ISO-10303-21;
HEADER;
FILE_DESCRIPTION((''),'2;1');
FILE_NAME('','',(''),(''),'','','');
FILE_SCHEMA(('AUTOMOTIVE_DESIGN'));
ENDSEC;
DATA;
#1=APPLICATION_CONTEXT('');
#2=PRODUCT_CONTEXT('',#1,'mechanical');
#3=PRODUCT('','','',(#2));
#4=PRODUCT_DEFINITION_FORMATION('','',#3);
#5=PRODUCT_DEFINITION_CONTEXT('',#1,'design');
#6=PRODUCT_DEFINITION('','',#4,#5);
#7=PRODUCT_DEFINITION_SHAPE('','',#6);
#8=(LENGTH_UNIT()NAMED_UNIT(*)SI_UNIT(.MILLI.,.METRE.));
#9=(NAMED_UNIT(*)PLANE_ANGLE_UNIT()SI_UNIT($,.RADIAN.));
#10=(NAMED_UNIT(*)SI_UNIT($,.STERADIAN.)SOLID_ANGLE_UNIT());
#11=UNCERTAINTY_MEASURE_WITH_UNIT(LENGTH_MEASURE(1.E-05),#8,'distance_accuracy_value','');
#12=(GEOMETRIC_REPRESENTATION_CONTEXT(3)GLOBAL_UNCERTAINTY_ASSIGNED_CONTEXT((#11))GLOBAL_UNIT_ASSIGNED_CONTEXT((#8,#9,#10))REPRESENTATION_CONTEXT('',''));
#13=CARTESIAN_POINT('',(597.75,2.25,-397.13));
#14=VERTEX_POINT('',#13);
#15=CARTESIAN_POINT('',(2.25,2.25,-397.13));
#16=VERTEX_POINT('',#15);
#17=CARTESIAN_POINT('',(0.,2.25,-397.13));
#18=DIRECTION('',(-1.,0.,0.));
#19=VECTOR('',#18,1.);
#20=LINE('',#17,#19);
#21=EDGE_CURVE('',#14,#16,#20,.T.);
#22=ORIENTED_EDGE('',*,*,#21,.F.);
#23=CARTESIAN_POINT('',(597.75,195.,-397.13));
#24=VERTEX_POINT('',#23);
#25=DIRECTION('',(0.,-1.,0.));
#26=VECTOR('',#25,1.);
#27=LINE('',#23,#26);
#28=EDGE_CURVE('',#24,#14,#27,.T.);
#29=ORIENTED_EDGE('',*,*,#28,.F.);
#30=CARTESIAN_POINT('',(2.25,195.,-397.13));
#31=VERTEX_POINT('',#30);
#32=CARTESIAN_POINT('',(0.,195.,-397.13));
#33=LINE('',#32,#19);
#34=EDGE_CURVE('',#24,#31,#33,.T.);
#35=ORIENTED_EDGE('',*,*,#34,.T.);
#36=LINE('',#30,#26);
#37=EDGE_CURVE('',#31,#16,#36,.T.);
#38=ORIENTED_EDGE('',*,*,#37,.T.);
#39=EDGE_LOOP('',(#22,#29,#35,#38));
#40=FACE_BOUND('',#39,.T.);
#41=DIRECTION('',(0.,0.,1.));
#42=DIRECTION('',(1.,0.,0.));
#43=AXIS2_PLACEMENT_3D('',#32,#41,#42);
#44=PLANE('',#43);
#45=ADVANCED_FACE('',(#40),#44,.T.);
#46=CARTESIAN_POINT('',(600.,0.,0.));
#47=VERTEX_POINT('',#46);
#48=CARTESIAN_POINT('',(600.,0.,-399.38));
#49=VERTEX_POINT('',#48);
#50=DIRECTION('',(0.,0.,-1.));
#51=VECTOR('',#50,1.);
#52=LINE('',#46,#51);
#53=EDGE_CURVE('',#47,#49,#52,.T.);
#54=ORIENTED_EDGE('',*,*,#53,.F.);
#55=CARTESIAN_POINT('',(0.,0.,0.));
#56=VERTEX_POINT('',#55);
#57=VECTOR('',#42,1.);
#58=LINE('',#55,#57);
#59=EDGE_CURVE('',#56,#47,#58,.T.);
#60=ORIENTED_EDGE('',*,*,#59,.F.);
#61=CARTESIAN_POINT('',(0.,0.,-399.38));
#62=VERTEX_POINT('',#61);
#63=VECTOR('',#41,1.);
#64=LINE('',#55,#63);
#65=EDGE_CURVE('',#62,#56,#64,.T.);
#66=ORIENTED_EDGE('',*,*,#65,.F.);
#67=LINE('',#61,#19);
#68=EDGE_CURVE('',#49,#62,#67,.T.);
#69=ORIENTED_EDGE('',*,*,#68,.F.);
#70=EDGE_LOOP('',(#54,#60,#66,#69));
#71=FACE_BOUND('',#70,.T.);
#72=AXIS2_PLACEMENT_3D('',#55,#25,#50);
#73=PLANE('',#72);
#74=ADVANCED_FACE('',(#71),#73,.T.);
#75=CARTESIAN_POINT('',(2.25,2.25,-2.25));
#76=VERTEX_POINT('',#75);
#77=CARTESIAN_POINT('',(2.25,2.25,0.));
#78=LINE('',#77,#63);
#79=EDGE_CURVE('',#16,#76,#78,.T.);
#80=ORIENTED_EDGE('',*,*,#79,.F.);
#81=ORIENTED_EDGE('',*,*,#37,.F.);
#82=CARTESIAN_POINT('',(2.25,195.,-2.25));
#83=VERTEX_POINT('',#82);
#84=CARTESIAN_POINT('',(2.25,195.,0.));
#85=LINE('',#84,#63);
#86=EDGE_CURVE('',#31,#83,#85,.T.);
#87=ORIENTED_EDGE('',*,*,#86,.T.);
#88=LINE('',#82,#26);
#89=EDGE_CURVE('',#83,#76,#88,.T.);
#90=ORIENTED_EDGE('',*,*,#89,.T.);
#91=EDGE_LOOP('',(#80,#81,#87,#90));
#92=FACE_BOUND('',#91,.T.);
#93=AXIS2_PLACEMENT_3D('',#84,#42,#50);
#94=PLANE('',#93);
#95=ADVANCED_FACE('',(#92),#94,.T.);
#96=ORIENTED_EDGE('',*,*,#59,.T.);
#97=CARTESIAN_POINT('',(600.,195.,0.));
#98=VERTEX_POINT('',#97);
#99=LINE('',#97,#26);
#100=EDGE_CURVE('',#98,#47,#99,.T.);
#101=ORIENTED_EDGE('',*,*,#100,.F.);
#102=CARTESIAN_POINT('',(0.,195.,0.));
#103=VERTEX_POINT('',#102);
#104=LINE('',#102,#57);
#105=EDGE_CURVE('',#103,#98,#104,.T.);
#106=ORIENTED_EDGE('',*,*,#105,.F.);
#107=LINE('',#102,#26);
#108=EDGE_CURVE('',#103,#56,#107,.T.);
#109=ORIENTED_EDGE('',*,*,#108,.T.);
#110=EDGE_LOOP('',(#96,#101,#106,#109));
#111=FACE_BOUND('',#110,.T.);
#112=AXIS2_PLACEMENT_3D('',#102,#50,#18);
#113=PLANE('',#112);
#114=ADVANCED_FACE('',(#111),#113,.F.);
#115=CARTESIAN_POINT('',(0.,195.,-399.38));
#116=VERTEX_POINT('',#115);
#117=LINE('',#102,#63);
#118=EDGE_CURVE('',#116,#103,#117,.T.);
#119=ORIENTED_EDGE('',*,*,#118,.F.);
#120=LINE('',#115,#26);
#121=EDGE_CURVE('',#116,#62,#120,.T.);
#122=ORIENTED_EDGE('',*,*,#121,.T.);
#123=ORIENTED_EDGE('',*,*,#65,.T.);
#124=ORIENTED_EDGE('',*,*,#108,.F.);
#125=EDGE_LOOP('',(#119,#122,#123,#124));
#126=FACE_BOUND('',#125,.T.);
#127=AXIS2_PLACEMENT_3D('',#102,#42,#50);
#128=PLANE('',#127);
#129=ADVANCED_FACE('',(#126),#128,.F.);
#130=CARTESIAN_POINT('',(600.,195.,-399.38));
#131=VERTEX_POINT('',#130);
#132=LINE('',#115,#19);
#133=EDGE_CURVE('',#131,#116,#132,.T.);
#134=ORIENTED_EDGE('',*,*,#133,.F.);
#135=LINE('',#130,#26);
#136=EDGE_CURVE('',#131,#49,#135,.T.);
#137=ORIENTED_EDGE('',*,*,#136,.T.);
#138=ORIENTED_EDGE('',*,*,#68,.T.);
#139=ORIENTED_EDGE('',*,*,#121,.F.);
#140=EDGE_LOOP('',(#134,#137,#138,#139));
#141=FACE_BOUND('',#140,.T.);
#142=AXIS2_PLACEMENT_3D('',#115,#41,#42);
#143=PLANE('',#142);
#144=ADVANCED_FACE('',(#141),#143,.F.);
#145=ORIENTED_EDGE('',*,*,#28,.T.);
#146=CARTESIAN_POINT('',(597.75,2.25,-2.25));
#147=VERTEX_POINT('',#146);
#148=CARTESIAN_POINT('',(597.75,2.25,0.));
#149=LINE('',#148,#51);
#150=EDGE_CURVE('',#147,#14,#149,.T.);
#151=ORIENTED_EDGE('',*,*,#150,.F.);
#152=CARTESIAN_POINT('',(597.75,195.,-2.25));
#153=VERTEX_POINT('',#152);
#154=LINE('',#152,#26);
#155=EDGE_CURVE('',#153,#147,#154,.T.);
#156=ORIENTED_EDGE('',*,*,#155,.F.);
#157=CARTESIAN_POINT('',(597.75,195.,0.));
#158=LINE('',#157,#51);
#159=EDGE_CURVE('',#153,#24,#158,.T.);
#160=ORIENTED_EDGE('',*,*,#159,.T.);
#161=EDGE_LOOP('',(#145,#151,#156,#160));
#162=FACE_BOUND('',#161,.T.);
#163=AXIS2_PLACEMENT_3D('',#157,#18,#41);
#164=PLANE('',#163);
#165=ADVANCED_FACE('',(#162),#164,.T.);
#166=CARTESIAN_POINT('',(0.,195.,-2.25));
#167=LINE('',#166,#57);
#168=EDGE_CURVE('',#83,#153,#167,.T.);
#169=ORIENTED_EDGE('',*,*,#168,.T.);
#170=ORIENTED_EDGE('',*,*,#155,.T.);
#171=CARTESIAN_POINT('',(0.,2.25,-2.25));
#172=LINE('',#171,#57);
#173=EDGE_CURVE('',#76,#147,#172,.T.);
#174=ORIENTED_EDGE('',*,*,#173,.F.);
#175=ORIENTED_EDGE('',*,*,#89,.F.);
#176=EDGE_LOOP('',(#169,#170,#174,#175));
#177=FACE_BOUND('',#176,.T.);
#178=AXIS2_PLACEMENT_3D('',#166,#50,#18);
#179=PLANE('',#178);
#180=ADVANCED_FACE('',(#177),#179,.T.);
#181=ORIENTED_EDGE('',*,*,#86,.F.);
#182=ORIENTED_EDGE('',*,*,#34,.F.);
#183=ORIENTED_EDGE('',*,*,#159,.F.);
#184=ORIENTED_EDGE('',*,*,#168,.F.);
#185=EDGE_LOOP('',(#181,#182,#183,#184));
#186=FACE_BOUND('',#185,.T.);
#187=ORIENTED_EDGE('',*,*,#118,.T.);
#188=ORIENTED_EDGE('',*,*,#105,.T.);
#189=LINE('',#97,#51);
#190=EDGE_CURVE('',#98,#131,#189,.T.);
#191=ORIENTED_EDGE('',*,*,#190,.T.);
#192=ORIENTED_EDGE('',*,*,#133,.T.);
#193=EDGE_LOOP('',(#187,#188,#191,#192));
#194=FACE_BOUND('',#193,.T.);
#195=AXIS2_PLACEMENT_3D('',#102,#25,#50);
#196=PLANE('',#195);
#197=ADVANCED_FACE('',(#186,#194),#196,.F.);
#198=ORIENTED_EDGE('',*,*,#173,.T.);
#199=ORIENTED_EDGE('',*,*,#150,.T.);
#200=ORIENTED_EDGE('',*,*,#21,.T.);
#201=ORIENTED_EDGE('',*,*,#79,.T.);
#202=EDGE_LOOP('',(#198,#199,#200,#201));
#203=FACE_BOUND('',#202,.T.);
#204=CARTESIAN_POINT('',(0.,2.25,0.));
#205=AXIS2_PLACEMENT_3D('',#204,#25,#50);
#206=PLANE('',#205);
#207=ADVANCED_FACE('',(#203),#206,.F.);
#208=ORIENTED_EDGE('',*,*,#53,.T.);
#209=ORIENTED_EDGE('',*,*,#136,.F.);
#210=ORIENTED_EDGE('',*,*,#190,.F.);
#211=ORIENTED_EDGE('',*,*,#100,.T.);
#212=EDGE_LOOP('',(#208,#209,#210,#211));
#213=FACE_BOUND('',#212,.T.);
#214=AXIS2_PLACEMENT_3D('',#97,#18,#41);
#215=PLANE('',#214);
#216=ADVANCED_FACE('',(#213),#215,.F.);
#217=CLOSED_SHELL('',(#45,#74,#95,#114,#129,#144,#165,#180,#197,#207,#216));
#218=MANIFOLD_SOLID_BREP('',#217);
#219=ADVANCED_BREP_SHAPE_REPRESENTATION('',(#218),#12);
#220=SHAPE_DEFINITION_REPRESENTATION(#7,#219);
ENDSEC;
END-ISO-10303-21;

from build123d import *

# Parameters (mm, degrees)
SKETCH2_W           = 600
SKETCH2_H           = 399.38
BOSS_EXTRUDE1_DEPTH = 195
SHELL1_T            = -2.25


with BuildPart() as part:
    # Sketch2 → Boss-Extrude1 (new body)
    with BuildSketch(Plane(origin=(0, 0, 0), x_dir=(1, 0, 0), z_dir=(0, 1, 0))):
        with Locations((300, 199.69)):
            Rectangle(SKETCH2_W, SKETCH2_H)
    extrude(amount=BOSS_EXTRUDE1_DEPTH)

    # Shell1
    shell1_openings = [part.faces().sort_by_distance(p)[0] for p in [
        (300, 195, -199.69),
    ]]
    offset(amount=SHELL1_T, openings=shell1_openings, kind=Kind.INTERSECTION)


solid = part.part
